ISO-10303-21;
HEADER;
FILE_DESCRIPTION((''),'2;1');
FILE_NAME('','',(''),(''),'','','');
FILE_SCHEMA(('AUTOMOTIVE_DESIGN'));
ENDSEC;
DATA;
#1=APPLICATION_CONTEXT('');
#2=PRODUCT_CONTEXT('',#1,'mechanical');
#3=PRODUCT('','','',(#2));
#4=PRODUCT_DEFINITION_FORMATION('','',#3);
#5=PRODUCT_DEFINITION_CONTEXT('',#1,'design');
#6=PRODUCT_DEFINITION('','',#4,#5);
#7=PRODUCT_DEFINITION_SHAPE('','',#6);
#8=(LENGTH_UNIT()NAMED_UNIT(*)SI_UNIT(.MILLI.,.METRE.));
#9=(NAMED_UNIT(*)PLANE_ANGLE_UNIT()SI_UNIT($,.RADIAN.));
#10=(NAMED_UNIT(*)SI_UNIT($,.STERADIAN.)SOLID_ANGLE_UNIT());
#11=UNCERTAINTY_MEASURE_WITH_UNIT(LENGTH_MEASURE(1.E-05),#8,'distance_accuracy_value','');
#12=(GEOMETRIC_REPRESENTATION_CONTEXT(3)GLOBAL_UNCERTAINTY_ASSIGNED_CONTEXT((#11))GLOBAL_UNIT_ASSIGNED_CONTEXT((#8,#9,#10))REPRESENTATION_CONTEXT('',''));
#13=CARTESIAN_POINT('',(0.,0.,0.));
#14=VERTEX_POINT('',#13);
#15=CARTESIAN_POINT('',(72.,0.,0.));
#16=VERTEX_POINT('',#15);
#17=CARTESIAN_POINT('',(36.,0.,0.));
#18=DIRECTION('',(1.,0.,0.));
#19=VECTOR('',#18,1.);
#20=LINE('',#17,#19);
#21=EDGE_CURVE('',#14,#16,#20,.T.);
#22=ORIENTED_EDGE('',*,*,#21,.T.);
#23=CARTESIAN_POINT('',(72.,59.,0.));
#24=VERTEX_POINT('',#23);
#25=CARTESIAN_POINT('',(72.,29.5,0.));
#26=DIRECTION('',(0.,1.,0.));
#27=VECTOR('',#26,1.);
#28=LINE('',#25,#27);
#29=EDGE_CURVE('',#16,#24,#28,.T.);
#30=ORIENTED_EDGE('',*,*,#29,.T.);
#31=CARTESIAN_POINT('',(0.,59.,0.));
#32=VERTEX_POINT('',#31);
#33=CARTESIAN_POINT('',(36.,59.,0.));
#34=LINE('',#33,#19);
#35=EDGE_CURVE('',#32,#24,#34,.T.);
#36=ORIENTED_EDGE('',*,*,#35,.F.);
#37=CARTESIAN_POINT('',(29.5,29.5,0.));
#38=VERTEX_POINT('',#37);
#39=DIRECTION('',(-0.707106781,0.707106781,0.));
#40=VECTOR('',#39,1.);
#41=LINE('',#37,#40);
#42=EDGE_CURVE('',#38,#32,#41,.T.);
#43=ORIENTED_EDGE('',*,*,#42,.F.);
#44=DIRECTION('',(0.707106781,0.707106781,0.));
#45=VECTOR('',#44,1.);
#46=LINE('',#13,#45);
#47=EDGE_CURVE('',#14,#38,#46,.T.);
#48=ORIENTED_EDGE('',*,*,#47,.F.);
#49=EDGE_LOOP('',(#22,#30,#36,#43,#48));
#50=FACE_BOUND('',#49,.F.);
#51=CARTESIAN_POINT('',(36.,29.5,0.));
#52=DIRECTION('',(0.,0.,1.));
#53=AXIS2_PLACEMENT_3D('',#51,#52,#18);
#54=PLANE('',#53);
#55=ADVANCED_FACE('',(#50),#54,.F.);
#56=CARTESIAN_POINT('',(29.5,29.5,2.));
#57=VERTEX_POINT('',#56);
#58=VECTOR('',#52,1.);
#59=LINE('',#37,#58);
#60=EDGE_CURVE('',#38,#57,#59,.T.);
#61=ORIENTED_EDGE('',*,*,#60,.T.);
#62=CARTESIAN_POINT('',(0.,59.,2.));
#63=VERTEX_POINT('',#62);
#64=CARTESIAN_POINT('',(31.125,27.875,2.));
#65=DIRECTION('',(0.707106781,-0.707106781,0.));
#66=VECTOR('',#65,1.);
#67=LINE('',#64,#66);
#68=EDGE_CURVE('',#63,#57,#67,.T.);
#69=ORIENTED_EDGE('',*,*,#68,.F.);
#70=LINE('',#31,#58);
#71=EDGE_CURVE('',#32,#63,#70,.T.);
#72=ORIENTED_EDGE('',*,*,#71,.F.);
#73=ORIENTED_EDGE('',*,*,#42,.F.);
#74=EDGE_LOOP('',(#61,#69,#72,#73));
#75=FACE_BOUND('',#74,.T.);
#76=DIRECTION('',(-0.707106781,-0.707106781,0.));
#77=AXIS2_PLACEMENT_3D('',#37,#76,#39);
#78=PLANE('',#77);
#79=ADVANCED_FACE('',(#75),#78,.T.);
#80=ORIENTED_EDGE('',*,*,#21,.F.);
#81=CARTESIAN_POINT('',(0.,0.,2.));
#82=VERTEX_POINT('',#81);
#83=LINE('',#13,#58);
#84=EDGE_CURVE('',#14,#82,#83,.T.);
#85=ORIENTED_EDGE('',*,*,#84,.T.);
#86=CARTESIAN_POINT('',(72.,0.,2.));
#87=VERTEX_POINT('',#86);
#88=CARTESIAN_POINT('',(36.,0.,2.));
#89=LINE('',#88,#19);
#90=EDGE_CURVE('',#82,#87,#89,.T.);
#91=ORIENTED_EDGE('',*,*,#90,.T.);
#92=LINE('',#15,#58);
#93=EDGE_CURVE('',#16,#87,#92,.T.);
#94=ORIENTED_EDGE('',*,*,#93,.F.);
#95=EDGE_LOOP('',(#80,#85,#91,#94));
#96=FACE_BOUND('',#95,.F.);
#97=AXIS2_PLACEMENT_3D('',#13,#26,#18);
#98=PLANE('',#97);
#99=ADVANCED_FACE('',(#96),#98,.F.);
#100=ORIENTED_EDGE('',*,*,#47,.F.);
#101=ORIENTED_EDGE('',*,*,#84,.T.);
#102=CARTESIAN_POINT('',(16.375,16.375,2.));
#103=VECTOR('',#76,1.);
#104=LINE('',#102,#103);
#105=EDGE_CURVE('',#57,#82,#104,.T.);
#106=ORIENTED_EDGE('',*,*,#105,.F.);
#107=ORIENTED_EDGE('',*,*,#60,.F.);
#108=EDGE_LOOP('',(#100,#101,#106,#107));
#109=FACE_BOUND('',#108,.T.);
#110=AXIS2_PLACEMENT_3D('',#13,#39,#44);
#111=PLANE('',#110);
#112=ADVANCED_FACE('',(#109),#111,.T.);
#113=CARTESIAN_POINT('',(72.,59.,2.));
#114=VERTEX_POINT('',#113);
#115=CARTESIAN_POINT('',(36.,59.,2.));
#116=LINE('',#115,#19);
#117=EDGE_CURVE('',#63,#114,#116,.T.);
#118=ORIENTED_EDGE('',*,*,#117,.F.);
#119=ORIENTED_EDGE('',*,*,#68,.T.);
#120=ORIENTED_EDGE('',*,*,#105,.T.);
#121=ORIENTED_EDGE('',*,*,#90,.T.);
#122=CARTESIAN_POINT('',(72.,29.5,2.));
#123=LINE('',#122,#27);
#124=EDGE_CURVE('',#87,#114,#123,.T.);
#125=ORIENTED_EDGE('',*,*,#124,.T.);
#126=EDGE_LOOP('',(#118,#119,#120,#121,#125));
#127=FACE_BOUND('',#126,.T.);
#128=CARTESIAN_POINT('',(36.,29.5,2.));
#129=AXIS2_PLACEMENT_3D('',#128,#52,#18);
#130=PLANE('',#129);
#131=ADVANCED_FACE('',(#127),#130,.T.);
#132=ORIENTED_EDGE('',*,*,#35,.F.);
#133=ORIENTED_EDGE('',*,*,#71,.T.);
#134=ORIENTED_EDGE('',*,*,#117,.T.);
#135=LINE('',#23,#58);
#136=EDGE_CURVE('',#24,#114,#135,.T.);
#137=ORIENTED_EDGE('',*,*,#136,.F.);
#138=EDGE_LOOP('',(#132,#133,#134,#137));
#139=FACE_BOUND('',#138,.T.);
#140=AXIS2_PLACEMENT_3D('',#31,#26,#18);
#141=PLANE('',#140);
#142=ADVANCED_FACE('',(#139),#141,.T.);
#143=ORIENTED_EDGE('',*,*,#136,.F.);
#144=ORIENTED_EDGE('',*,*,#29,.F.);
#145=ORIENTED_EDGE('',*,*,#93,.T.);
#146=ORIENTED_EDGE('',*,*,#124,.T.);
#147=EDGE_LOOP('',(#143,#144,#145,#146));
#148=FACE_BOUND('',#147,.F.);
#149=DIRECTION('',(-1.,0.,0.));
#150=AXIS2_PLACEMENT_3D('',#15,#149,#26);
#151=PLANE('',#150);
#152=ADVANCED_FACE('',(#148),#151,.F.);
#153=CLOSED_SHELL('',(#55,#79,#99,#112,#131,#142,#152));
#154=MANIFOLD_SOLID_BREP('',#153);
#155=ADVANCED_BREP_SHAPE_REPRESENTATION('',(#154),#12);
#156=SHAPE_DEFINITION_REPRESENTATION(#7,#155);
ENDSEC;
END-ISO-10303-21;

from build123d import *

# Parameters (mm, degrees)
F0_W     = 72
F0_H     = 59
F1_DEPTH = 2
F3_DEPTH = 5


with BuildPart() as f1:
    # F0 (on Top) → F1 (new body)
    with BuildSketch(Plane.XY):
        with Locations((36, 29.5)):
            Rectangle(F0_W, F0_H)
    extrude(amount=F1_DEPTH)

    # F2 (on Top) → F3 (cut)
    with BuildSketch(Plane.XY):
        Polygon((0, 59), (0, 0), (29.5, 29.5), align=None)
    extrude(amount=F3_DEPTH, mode=Mode.SUBTRACT)


solid = f1.part
